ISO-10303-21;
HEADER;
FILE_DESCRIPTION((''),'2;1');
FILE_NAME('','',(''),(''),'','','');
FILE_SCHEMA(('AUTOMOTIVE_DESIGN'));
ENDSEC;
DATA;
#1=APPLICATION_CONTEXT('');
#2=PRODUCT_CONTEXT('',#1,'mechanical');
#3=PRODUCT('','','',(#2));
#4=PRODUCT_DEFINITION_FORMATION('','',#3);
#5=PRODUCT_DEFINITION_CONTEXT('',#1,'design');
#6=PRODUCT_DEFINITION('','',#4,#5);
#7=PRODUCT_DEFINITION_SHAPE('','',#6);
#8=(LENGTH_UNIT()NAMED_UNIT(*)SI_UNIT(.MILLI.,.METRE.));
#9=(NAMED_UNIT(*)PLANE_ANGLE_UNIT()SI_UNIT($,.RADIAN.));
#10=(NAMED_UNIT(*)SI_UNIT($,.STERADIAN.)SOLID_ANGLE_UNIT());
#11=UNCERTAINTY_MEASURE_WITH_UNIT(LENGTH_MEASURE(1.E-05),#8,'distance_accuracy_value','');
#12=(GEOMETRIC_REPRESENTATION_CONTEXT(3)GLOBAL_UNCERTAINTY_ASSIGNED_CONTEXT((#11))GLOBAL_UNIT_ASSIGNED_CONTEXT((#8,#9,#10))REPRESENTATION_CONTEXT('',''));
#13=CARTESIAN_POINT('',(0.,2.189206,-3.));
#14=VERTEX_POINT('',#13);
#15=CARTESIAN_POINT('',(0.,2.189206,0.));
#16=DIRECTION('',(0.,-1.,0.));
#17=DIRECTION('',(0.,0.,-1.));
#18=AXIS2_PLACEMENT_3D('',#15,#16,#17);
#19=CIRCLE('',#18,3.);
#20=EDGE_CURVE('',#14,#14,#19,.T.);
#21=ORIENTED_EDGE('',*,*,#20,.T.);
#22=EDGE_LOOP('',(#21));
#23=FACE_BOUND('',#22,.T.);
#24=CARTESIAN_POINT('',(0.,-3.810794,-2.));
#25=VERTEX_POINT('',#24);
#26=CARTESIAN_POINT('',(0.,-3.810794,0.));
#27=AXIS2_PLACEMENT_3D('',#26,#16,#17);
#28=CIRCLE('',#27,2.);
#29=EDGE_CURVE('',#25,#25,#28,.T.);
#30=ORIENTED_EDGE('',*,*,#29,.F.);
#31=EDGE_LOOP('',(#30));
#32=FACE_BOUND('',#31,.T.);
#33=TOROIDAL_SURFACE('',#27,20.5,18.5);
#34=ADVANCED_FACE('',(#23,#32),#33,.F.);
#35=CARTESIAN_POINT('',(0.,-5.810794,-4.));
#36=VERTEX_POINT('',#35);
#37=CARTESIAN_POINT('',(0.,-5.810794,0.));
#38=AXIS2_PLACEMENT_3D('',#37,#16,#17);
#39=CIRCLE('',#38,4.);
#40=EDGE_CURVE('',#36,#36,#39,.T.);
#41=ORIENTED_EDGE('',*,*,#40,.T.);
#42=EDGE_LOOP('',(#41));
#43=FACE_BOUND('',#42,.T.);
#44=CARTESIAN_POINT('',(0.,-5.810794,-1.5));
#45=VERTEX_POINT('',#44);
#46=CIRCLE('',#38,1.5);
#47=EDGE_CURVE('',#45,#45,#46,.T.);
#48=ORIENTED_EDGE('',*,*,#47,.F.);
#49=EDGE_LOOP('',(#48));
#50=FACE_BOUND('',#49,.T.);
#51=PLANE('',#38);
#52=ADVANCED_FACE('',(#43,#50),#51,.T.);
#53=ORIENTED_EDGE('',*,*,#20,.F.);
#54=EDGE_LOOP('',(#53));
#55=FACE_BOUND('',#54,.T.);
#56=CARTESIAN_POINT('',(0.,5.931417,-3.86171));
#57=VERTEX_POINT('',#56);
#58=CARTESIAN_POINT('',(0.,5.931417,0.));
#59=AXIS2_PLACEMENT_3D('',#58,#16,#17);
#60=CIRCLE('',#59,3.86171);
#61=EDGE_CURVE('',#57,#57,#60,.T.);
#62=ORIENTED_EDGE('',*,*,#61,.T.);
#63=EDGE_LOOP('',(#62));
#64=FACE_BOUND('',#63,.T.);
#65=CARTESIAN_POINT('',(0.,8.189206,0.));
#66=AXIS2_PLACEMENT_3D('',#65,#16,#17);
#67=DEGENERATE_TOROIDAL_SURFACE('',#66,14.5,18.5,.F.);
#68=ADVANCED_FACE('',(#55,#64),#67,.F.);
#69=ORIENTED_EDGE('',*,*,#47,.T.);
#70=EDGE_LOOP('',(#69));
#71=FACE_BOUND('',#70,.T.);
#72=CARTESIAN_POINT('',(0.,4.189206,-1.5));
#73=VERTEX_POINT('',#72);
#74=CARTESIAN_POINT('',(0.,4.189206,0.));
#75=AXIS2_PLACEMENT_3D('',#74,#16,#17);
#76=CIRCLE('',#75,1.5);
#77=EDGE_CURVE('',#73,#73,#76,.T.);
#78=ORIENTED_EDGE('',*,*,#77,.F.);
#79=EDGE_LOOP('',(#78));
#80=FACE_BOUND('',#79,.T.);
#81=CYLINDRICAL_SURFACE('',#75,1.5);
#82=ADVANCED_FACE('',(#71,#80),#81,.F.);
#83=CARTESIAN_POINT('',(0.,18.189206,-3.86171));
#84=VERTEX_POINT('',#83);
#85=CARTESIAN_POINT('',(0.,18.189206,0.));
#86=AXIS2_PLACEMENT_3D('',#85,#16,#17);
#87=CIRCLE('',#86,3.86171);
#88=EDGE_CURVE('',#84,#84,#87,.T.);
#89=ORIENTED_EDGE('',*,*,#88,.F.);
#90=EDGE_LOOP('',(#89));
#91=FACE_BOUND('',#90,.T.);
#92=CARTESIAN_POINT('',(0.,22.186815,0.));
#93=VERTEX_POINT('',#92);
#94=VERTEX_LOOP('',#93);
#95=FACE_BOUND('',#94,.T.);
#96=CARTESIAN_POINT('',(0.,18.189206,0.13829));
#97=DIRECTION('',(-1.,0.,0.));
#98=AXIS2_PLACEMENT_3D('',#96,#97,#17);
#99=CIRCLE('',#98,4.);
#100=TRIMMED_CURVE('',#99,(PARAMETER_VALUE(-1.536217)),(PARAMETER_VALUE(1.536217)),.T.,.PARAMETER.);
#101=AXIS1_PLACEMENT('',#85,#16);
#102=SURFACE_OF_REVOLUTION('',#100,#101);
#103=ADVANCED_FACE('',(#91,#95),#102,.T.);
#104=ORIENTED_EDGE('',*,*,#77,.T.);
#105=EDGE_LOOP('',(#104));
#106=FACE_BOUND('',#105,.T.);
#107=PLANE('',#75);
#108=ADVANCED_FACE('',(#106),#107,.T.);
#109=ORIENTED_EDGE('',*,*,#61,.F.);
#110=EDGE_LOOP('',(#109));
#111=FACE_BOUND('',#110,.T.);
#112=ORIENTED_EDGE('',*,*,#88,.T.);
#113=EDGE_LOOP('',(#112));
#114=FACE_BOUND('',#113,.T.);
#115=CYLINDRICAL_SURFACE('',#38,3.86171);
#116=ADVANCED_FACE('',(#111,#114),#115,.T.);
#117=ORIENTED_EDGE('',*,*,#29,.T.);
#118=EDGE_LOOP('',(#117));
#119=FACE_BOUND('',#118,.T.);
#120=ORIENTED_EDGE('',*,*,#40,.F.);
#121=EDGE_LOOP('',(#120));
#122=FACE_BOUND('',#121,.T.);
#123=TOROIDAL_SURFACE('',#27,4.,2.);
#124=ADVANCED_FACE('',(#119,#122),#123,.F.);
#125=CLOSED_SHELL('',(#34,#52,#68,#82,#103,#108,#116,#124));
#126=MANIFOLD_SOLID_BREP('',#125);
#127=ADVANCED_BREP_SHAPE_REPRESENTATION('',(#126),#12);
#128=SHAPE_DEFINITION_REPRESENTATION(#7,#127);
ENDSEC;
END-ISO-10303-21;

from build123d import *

# Parameters (mm, degrees)
CROQUIS2_R            = 1.5
CORTAR_EXTRUIR1_DEPTH = 10


with BuildPart() as part:
    # Croquis1 → Revolución1 (revolve)
    with BuildSketch(Plane.XY, mode=Mode.PRIVATE) as revoluci_n1_sk:
        with BuildLine():
            Line((0, -5.810793785), (0, 22.186814978))
            ThreePointArc((0, 22.186814978), (2.738614464, 20.96831032), (3.861709813, 18.189206215))
            Line((3.861709813, 18.189206215), (3.861709813, 5.931416864))
            ThreePointArc((3.861709813, 5.931416864), (3.528216573, 4.037892304), (3, 2.189206215))
            ThreePointArc((3, 2.189206215), (2.251712409, -0.76941252), (2, -3.810793785))
            ThreePointArc((2, -3.810793785), (2.585786438, -5.225007347), (4, -5.810793785))
            Line((4, -5.810793785), (0, -5.810793785))
        make_face()
    revolve(revoluci_n1_sk.sketch.rotate(Axis((0, -5.810793785, 0), (0, 1, 0)), 90), axis=Axis((0, -5.810793785, 0), (0, 1, 0)))

    # Croquis2 → Cortar-Extruir1 (cut)
    with BuildSketch(Plane.XZ.offset(5.810793785)):
        with Locations(Location((0, 0, 0), (0, 0, 270))):
            Circle(CROQUIS2_R)
    extrude(amount=-CORTAR_EXTRUIR1_DEPTH, mode=Mode.SUBTRACT)


solid = part.part
